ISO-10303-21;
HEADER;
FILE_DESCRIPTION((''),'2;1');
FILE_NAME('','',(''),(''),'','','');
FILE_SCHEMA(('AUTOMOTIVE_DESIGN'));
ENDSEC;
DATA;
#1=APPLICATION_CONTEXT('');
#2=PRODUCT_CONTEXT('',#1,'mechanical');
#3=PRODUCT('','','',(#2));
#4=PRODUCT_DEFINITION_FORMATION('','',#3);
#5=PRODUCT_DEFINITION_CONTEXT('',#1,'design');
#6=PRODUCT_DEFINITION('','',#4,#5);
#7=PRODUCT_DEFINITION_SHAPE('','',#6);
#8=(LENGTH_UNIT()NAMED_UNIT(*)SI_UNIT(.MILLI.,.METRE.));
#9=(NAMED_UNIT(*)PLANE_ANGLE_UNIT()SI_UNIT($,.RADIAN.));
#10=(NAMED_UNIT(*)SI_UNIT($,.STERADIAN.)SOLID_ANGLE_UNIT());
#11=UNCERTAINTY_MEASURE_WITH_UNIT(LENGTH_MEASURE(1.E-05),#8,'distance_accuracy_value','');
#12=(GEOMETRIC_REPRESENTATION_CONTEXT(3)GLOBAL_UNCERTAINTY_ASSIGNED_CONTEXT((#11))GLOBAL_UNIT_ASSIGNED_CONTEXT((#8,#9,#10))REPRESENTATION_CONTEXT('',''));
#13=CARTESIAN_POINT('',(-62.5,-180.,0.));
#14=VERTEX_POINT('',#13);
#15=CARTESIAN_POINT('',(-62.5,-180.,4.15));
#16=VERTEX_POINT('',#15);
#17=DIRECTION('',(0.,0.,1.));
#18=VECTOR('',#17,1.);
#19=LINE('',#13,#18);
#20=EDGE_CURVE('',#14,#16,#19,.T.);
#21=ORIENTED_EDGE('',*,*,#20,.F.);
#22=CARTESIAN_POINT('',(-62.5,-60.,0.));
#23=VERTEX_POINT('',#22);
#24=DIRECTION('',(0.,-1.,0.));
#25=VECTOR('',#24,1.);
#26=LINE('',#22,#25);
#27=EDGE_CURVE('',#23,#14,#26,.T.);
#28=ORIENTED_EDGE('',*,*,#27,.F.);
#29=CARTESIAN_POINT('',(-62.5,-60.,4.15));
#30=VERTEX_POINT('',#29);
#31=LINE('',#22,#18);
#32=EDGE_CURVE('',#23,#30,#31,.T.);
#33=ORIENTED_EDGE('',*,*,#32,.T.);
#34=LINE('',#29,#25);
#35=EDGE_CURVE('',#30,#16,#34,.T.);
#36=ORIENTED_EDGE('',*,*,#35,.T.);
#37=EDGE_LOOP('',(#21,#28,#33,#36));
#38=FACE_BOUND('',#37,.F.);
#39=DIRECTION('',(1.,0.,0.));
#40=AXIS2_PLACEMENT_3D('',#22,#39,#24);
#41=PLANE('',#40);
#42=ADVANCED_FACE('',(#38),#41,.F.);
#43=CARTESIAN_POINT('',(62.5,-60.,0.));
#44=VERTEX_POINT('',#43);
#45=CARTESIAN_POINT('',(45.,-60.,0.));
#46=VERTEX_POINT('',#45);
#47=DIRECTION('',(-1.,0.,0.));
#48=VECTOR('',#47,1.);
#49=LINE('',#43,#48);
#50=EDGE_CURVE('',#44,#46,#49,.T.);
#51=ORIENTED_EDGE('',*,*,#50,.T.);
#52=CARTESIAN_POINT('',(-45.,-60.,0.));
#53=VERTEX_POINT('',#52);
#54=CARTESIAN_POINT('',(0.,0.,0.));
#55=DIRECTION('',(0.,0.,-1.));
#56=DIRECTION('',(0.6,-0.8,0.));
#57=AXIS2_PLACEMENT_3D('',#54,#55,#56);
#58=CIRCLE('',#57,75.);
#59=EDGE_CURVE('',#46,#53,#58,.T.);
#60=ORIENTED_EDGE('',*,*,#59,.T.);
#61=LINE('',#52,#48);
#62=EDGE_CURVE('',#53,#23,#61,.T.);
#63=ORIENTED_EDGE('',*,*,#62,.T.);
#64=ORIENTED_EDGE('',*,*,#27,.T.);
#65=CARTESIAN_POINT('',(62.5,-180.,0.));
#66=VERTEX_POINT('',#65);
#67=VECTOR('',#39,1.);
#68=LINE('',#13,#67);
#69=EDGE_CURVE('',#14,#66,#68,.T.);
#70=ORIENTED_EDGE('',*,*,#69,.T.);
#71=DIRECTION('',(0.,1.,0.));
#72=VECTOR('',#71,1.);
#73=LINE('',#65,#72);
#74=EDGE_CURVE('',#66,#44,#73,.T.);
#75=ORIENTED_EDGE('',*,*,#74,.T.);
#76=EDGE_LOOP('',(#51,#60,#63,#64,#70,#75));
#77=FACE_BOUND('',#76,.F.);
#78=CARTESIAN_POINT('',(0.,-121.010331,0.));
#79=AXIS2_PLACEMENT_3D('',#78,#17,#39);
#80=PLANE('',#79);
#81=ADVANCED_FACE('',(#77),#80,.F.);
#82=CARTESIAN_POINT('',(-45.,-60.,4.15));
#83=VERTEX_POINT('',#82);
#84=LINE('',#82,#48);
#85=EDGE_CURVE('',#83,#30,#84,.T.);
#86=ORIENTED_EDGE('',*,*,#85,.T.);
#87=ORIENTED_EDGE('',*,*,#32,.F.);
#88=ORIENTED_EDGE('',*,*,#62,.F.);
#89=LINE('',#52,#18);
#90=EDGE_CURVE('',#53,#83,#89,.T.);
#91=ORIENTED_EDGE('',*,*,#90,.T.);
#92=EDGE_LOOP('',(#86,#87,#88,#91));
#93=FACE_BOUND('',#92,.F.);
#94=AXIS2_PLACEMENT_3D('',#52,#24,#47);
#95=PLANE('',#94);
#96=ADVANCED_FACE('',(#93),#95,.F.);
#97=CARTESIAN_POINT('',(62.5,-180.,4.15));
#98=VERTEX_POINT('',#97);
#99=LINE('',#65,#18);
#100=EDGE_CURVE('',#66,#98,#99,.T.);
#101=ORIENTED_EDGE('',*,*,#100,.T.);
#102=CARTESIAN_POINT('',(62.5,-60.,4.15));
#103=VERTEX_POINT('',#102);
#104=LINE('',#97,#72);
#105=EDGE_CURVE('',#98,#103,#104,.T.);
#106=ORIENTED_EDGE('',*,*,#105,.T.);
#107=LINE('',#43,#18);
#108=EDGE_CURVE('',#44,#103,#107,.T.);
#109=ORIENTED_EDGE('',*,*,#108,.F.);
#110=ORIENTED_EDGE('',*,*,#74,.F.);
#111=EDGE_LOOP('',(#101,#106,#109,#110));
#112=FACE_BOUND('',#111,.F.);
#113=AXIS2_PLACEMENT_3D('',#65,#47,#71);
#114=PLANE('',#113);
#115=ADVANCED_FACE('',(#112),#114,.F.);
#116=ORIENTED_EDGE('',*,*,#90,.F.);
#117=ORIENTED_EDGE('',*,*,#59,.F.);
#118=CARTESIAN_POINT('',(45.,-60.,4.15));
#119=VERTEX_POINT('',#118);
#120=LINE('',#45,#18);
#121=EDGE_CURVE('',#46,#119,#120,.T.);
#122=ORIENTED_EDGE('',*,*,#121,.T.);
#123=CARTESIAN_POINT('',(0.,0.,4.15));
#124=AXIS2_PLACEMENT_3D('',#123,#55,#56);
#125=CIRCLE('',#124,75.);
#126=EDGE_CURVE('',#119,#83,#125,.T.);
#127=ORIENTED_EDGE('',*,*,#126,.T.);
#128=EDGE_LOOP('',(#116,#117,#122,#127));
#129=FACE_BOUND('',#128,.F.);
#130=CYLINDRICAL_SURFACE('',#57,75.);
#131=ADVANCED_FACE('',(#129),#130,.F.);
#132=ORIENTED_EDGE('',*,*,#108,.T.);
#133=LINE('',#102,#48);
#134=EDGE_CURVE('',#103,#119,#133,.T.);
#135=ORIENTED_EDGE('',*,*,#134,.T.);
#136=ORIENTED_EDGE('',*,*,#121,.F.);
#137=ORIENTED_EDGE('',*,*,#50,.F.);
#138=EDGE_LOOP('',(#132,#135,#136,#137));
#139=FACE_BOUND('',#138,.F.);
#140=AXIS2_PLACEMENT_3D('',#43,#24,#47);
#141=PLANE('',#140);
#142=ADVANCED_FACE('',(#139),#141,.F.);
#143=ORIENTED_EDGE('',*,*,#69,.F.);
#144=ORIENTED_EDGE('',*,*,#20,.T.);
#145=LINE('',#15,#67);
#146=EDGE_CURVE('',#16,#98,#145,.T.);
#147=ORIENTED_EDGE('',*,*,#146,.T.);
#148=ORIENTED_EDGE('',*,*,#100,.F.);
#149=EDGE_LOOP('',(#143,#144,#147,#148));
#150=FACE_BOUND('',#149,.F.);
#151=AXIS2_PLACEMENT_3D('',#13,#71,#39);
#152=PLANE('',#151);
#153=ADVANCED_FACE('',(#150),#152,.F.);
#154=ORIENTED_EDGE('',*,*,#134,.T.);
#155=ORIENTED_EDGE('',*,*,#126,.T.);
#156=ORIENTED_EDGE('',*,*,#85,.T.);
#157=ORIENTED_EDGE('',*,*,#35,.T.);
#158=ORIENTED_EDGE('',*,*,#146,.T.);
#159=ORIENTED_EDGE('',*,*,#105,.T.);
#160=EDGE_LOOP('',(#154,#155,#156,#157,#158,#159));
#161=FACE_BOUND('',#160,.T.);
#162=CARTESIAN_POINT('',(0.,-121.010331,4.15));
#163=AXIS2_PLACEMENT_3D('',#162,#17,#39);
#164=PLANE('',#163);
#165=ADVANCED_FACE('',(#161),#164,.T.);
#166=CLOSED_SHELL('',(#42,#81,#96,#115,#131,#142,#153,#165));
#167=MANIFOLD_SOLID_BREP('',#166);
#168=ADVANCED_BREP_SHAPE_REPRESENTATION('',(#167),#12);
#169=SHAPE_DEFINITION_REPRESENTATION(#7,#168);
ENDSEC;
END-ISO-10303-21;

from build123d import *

# Parameters (mm, degrees)
F1_DEPTH = 4.15


with BuildPart() as f1:
    # F0 (on Top) → F1 (new body)
    with BuildSketch(Plane.XY):
        with BuildLine():
            ThreePointArc((45, -60), (0, -75), (-45, -60))
            Line((-45, -60), (-62.5, -60))
            Line((-62.5, -60), (-62.5, -180))
            Line((-62.5, -180), (62.5, -180))
            Line((62.5, -180), (62.5, -60))
            Line((62.5, -60), (45, -60))
        make_face()
    extrude(amount=F1_DEPTH)


solid = f1.part
